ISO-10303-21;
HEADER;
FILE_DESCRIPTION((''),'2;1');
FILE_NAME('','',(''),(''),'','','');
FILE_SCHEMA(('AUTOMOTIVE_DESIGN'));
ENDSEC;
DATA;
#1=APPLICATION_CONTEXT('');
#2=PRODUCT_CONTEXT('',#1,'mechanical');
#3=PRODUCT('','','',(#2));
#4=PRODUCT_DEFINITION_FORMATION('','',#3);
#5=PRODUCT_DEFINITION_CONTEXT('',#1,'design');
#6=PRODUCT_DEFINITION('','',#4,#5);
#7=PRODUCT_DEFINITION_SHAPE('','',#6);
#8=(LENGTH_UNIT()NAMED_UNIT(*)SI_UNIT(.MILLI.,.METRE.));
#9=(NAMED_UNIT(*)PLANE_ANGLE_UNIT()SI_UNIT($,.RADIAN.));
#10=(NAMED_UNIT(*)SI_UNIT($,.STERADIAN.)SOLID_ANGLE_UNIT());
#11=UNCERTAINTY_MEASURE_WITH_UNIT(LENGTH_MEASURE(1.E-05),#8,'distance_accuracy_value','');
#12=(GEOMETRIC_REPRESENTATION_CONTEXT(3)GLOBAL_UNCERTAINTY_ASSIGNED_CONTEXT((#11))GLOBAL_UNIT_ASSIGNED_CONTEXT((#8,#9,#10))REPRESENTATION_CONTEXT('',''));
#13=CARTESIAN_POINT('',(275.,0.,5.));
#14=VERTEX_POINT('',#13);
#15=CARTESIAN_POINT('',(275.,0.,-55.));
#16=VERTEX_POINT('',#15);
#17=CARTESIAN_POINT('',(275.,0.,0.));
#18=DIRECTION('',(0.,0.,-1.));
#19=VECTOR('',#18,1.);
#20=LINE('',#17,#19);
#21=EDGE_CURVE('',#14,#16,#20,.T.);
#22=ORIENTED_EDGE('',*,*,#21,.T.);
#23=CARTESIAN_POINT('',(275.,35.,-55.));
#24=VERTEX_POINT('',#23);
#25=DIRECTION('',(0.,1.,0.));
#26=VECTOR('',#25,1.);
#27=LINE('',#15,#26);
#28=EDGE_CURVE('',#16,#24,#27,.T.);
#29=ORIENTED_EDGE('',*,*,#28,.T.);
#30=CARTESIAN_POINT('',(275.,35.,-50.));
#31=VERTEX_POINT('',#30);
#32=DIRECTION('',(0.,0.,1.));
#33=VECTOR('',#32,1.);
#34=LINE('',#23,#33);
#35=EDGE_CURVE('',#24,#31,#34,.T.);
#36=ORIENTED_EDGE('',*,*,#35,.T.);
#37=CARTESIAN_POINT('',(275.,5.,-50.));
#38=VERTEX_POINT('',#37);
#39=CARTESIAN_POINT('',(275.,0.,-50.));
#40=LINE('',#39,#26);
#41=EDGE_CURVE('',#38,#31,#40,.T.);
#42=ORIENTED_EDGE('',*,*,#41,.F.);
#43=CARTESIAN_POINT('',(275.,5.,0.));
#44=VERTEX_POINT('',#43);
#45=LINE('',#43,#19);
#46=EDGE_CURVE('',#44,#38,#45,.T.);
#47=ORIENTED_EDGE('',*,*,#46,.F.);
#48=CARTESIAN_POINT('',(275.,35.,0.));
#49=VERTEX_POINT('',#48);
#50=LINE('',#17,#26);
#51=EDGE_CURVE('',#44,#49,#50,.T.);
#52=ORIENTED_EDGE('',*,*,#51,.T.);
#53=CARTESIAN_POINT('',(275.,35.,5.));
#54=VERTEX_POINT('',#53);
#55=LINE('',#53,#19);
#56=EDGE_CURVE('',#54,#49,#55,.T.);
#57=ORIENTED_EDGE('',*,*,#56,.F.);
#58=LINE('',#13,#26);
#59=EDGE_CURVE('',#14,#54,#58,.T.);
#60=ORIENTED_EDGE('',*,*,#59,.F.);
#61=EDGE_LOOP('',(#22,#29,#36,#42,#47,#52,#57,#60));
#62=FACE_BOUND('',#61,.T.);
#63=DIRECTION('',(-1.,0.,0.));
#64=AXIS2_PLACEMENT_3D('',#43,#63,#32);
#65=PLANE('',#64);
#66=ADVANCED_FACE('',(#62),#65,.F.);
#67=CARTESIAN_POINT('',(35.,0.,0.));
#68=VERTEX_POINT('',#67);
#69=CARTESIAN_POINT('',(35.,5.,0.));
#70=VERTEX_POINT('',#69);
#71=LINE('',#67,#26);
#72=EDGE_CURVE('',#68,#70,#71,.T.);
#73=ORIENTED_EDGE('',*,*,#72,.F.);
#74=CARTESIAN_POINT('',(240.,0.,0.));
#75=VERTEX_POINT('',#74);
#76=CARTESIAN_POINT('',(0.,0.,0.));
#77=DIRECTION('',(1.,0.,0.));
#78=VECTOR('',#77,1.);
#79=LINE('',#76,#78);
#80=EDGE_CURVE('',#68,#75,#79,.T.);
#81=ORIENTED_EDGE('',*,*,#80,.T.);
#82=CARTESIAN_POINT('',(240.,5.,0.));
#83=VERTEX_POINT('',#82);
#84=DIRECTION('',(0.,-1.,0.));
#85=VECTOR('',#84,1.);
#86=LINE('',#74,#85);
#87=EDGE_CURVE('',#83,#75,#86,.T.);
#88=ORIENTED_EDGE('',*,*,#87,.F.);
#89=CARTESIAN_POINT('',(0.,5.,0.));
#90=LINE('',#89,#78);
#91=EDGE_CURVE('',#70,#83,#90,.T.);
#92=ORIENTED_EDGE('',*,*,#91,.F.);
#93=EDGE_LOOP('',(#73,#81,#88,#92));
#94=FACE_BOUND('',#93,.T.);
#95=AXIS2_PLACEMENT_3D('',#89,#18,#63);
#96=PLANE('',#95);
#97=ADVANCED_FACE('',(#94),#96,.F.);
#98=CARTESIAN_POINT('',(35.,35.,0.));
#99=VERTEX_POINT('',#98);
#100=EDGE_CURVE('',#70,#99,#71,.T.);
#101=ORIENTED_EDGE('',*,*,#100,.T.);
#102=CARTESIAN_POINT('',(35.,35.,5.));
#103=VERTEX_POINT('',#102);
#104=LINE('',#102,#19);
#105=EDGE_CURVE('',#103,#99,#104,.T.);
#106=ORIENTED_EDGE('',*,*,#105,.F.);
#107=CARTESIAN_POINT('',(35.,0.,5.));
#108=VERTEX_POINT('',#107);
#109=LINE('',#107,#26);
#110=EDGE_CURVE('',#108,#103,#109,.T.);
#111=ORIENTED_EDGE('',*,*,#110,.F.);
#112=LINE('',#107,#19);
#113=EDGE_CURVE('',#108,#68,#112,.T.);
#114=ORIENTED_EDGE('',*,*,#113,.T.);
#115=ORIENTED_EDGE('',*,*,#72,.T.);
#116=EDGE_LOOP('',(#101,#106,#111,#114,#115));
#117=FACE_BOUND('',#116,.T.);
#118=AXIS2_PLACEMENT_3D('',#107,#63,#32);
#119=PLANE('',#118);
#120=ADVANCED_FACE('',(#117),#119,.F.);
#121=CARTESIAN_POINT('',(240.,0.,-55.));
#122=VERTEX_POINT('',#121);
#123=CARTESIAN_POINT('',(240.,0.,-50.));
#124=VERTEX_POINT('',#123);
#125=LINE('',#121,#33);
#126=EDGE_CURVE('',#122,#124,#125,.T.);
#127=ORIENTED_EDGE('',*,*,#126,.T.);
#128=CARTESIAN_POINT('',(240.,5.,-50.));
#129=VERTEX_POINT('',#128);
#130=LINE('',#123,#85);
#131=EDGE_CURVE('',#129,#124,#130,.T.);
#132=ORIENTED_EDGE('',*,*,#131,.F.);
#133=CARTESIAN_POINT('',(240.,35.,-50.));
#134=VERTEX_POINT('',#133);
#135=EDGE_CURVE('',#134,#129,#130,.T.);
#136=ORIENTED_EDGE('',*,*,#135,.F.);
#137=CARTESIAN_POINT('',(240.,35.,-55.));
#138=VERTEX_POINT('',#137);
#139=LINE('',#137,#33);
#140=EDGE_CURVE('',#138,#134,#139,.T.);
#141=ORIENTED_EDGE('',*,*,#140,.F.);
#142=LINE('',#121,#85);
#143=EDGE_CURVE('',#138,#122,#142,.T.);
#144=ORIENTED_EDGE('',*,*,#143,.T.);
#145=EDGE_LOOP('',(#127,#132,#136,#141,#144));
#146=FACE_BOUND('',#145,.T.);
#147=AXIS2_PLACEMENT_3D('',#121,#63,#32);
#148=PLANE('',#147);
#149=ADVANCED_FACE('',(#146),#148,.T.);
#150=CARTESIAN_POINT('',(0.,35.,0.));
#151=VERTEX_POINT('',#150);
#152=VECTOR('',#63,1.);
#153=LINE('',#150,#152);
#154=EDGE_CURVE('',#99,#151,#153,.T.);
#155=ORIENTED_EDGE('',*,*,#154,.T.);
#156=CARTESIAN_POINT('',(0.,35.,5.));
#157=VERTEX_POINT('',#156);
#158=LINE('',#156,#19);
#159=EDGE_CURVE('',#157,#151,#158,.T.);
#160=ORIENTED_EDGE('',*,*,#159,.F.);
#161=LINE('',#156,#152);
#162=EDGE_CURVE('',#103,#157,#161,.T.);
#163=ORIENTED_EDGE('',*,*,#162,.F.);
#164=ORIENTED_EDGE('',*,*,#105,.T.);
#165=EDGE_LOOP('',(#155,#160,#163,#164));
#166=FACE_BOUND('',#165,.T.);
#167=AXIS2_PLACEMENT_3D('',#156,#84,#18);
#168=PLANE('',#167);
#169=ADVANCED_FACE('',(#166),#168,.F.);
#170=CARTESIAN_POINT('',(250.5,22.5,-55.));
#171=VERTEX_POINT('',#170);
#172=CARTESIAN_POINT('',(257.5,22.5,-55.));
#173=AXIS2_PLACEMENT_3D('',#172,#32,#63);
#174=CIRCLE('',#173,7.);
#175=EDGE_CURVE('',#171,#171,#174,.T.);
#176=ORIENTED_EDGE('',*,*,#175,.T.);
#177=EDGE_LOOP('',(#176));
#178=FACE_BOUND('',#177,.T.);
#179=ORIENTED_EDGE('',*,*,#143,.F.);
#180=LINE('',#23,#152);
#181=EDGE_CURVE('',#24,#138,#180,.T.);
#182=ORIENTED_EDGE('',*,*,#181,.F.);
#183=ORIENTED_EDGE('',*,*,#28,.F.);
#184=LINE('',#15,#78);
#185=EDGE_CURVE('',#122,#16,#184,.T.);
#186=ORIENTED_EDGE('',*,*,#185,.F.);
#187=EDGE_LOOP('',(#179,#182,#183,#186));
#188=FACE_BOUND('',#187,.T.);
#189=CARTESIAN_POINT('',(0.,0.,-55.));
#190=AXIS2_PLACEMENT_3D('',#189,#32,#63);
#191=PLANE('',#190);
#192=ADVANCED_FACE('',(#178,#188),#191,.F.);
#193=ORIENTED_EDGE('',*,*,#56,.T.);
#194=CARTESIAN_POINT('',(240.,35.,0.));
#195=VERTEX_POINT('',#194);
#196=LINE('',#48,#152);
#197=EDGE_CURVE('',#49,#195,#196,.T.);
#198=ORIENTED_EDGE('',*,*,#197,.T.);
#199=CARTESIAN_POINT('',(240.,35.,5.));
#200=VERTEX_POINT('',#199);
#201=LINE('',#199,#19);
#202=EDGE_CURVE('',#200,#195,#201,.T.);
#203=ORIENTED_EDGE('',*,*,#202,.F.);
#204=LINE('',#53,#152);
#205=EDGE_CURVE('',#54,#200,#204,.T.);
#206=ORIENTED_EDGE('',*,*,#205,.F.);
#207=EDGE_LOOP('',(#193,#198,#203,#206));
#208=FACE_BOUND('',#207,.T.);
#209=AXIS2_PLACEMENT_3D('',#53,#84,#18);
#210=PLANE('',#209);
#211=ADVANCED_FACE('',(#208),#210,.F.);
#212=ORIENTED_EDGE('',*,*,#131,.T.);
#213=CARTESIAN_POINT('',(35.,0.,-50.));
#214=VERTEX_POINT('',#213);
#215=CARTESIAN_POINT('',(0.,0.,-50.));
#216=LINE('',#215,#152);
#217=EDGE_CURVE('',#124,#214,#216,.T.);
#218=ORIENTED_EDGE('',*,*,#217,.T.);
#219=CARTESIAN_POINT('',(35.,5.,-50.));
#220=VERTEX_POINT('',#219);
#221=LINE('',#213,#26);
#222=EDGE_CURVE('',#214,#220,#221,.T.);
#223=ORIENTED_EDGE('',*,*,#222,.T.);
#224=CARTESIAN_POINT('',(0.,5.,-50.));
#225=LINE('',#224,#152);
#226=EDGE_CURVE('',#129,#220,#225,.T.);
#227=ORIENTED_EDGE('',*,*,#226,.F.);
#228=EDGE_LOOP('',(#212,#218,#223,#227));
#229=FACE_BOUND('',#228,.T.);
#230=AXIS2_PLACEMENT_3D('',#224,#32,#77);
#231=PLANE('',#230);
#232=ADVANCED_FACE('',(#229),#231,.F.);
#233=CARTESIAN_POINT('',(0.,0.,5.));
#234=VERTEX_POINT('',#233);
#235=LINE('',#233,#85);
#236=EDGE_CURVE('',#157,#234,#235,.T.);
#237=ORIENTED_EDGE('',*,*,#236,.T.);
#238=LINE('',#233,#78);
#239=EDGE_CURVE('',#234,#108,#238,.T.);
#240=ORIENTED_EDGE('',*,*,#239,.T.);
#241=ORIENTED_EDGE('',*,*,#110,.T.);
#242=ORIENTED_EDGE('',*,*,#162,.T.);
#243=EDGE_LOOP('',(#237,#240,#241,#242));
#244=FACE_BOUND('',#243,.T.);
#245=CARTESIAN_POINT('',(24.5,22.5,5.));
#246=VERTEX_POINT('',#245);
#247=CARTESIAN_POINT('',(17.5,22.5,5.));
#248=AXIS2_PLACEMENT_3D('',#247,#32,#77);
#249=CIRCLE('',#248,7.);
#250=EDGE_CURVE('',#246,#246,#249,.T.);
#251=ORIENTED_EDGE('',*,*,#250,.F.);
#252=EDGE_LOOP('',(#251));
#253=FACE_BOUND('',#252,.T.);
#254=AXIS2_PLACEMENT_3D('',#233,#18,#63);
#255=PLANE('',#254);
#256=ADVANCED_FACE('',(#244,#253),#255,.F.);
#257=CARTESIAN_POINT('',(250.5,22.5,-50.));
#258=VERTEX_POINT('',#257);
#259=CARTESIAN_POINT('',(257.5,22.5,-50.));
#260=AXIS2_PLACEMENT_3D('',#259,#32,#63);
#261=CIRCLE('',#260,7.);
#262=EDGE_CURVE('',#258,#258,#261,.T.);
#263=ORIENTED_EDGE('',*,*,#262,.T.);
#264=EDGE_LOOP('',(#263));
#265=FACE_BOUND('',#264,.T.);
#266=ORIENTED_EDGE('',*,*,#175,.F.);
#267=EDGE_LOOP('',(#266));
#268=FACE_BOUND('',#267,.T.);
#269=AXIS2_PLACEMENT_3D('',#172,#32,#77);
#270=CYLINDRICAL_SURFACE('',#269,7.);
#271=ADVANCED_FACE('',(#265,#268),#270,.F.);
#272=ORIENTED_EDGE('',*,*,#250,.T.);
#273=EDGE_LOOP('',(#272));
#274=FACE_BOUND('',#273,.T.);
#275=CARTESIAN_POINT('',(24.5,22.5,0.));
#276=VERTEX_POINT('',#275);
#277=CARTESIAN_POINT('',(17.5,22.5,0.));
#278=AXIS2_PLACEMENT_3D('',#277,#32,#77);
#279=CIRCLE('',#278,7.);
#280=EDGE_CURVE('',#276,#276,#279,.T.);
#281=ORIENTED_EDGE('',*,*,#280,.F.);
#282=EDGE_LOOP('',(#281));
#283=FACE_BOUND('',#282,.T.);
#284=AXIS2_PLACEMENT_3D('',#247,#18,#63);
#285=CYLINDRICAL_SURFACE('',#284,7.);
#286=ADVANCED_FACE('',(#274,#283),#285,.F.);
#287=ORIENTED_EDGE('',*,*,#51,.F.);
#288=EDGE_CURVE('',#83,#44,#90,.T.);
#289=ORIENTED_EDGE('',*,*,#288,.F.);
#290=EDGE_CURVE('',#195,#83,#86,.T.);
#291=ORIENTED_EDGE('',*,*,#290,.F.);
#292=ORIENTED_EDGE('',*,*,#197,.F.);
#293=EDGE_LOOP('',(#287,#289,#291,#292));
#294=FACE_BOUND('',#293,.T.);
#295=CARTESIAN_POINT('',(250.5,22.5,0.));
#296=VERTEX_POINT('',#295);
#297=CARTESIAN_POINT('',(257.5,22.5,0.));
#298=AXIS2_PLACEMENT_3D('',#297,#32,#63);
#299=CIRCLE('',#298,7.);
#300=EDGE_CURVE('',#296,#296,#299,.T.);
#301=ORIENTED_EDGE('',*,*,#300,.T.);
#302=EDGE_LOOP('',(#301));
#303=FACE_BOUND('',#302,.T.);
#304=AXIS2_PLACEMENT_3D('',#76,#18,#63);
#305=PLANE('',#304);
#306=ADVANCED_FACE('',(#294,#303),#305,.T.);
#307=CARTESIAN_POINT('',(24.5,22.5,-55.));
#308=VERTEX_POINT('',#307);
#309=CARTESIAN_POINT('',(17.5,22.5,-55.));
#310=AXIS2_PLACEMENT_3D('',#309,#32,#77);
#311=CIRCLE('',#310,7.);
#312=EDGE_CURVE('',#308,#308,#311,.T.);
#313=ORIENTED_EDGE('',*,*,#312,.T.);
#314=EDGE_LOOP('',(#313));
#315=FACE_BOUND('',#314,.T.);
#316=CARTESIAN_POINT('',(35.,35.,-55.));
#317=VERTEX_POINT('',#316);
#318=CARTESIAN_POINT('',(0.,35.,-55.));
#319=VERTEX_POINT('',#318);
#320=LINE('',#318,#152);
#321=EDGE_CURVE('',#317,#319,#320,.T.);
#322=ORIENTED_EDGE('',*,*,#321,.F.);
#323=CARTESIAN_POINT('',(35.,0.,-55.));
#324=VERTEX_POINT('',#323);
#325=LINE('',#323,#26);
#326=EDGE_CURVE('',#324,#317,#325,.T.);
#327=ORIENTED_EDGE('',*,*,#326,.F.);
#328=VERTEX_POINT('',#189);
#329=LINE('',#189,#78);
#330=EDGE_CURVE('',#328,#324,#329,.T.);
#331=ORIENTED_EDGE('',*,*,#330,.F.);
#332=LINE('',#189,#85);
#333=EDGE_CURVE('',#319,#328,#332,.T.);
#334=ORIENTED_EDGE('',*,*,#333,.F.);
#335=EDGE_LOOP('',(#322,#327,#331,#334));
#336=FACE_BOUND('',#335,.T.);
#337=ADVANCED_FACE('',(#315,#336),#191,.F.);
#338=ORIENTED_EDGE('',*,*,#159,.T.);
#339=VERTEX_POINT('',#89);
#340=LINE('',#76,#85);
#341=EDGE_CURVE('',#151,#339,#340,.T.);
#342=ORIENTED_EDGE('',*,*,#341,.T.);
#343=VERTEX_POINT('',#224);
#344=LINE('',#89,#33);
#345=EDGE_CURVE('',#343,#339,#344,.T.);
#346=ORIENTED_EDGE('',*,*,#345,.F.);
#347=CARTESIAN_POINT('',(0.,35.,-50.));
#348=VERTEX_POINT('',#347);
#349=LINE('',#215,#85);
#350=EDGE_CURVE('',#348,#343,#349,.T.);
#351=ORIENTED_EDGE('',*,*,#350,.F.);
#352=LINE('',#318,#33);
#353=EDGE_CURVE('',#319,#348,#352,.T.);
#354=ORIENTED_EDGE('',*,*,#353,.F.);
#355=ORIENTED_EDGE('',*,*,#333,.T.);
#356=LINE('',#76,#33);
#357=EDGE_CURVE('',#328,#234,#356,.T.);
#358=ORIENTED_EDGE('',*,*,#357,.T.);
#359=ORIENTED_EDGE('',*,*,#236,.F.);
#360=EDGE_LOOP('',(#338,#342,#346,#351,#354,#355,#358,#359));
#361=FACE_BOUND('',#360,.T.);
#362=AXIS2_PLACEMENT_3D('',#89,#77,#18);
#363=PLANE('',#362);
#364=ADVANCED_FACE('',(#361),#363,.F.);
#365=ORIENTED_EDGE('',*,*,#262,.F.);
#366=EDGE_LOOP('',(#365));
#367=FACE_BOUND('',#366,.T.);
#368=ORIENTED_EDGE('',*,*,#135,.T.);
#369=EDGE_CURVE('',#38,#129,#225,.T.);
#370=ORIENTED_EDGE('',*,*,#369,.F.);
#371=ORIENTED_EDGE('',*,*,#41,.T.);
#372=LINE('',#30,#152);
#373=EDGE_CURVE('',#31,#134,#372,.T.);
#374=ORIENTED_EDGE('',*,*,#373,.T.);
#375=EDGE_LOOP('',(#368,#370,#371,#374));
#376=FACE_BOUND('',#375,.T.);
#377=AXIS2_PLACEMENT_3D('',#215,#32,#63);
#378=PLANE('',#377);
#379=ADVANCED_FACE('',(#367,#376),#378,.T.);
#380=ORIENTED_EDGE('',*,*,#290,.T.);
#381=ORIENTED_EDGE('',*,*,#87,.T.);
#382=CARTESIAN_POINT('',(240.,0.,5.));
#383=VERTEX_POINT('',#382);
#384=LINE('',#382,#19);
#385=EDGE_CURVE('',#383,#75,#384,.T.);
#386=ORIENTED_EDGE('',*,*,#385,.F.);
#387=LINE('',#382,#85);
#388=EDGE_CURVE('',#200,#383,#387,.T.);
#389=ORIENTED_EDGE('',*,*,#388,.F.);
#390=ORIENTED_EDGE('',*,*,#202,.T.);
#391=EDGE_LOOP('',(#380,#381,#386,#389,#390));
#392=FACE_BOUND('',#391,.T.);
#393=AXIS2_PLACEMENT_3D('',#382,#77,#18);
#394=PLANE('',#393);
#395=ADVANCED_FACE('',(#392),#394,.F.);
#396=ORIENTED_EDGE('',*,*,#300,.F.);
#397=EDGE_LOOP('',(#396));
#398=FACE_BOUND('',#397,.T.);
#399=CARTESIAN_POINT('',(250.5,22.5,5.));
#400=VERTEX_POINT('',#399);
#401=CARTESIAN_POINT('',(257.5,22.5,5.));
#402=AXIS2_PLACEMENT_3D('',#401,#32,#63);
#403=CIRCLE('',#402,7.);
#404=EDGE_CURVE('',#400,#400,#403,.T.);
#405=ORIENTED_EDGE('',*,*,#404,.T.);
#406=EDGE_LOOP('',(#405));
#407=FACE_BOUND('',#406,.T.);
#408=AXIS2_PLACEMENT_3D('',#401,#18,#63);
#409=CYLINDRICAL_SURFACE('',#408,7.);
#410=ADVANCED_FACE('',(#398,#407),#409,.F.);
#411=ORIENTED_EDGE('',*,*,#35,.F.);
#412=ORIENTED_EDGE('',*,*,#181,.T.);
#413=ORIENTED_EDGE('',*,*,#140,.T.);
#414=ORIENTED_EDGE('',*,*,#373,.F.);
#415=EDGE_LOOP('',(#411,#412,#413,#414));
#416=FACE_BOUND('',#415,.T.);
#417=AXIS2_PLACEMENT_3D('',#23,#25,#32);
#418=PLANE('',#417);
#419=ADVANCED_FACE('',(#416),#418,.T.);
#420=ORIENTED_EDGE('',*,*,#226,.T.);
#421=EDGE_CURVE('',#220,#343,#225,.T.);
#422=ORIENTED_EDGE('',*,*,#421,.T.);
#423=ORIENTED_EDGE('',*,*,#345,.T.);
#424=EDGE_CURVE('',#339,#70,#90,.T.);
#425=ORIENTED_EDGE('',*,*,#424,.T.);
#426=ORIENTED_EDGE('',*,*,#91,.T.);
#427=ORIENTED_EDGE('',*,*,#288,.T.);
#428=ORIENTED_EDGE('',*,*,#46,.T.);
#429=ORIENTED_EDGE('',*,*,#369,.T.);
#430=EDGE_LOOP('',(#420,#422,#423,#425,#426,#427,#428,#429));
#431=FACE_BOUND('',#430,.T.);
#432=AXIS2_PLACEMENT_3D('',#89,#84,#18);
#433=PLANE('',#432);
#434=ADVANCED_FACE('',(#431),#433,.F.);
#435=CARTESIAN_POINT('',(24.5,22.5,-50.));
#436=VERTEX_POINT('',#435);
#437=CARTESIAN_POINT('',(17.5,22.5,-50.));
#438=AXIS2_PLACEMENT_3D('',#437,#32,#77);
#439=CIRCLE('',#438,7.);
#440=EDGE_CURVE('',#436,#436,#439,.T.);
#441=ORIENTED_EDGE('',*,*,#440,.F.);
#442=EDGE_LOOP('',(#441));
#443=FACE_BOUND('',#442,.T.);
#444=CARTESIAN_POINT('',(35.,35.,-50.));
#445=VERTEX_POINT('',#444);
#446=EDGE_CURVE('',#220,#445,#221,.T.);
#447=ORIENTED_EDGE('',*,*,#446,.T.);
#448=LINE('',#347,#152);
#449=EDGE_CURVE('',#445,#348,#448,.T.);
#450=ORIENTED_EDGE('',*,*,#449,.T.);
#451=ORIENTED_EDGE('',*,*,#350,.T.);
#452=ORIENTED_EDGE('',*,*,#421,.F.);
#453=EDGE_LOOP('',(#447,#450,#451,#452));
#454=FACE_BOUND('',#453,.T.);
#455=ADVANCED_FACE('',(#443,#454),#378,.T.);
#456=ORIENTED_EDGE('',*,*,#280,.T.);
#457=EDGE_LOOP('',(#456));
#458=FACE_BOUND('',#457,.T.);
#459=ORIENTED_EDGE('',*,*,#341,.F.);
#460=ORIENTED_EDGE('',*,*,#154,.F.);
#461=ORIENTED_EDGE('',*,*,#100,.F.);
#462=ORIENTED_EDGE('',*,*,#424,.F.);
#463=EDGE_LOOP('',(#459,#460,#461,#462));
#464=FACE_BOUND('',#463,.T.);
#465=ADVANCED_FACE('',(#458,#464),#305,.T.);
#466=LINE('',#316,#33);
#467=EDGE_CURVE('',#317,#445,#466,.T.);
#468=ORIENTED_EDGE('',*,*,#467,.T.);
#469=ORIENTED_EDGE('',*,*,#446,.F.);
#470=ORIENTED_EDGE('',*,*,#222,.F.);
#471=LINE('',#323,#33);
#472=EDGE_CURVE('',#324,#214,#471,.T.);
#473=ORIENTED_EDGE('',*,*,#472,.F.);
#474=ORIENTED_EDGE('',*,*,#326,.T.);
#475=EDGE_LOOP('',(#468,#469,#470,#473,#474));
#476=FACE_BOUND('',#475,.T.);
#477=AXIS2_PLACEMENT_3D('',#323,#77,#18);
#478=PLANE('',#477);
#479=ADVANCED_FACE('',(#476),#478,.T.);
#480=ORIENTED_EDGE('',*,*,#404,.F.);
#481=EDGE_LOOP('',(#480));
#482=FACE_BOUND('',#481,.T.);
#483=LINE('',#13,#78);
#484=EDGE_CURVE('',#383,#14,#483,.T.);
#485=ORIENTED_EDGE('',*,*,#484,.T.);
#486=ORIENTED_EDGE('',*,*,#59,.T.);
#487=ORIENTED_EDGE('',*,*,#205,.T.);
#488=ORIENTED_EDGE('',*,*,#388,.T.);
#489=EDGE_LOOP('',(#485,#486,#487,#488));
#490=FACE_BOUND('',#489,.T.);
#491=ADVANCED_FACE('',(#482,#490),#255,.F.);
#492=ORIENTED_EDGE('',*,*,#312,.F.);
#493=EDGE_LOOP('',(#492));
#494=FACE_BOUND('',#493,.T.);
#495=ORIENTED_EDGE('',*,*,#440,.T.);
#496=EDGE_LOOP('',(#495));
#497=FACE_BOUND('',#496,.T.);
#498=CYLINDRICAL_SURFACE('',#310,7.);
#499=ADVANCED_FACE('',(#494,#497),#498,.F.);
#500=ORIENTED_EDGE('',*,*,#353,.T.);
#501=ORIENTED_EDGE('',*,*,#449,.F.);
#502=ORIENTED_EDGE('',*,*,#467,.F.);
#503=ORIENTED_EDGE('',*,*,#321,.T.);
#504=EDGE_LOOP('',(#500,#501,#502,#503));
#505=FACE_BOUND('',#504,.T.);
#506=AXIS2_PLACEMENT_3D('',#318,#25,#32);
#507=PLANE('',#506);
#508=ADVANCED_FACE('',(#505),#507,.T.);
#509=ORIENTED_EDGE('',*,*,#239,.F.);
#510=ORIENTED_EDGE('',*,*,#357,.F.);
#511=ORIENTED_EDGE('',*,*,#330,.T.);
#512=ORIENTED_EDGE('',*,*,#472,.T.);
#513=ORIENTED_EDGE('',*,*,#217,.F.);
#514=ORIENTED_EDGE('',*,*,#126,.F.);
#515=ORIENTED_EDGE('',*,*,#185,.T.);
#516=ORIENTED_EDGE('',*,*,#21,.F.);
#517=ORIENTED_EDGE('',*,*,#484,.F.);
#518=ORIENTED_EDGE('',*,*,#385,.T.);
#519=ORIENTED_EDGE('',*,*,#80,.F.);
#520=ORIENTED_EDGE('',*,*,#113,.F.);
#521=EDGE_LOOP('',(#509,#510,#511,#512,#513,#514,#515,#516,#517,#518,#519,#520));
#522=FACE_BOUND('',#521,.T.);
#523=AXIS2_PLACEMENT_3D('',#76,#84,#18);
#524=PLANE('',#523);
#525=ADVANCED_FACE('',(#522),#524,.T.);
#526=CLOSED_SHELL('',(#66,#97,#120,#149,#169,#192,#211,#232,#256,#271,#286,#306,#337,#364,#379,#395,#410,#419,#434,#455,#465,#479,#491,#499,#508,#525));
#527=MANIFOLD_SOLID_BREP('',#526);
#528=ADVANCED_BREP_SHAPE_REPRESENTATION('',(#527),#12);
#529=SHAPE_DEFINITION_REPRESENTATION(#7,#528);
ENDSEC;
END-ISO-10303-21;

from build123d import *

# Parameters (mm, degrees)
SZKIC1_W                    = 275
SZKIC1_H                    = 50
DODANIE_WYCI_GNI_CIE1_DEPTH = 5
SZKIC2_W                    = 35
SZKIC2_H                    = 35
SZKIC2_R                    = 7
DODANIE_WYCI_GNI_CIE2_DEPTH = 5


with BuildPart() as part:
    # Szkic1 → Dodanie-wyciągnięcie1 (new body)
    with BuildSketch(Plane(origin=(0, 0, 0), x_dir=(1, 0, 0), z_dir=(0, 1, 0))):
        with Locations((137.5, 25)):
            Rectangle(SZKIC1_W, SZKIC1_H)
    extrude(amount=DODANIE_WYCI_GNI_CIE1_DEPTH)

    # Szkic2 → Dodanie-wyciągnięcie2 (add)
    with BuildSketch(Plane.XY):
        with Locations((17.5, 17.5)):
            Rectangle(SZKIC2_W, SZKIC2_H)
        with Locations((17.5, 22.5)):
            Circle(SZKIC2_R, mode=Mode.SUBTRACT)
        with Locations((257.5, 17.5)):
            Rectangle(SZKIC2_W, SZKIC2_H)
        with Locations((257.5, 22.5)):
            Circle(SZKIC2_R, mode=Mode.SUBTRACT)
    dodanie_wyci_gni_cie2 = extrude(amount=DODANIE_WYCI_GNI_CIE2_DEPTH)

    # Lustro1: Dodanie-wyciągnięcie2 across plane
    add(dodanie_wyci_gni_cie2.mirror(Plane(origin=(0, 0, -25), x_dir=(1, 0, 0), z_dir=(0, 0, -1))))


solid = part.part
